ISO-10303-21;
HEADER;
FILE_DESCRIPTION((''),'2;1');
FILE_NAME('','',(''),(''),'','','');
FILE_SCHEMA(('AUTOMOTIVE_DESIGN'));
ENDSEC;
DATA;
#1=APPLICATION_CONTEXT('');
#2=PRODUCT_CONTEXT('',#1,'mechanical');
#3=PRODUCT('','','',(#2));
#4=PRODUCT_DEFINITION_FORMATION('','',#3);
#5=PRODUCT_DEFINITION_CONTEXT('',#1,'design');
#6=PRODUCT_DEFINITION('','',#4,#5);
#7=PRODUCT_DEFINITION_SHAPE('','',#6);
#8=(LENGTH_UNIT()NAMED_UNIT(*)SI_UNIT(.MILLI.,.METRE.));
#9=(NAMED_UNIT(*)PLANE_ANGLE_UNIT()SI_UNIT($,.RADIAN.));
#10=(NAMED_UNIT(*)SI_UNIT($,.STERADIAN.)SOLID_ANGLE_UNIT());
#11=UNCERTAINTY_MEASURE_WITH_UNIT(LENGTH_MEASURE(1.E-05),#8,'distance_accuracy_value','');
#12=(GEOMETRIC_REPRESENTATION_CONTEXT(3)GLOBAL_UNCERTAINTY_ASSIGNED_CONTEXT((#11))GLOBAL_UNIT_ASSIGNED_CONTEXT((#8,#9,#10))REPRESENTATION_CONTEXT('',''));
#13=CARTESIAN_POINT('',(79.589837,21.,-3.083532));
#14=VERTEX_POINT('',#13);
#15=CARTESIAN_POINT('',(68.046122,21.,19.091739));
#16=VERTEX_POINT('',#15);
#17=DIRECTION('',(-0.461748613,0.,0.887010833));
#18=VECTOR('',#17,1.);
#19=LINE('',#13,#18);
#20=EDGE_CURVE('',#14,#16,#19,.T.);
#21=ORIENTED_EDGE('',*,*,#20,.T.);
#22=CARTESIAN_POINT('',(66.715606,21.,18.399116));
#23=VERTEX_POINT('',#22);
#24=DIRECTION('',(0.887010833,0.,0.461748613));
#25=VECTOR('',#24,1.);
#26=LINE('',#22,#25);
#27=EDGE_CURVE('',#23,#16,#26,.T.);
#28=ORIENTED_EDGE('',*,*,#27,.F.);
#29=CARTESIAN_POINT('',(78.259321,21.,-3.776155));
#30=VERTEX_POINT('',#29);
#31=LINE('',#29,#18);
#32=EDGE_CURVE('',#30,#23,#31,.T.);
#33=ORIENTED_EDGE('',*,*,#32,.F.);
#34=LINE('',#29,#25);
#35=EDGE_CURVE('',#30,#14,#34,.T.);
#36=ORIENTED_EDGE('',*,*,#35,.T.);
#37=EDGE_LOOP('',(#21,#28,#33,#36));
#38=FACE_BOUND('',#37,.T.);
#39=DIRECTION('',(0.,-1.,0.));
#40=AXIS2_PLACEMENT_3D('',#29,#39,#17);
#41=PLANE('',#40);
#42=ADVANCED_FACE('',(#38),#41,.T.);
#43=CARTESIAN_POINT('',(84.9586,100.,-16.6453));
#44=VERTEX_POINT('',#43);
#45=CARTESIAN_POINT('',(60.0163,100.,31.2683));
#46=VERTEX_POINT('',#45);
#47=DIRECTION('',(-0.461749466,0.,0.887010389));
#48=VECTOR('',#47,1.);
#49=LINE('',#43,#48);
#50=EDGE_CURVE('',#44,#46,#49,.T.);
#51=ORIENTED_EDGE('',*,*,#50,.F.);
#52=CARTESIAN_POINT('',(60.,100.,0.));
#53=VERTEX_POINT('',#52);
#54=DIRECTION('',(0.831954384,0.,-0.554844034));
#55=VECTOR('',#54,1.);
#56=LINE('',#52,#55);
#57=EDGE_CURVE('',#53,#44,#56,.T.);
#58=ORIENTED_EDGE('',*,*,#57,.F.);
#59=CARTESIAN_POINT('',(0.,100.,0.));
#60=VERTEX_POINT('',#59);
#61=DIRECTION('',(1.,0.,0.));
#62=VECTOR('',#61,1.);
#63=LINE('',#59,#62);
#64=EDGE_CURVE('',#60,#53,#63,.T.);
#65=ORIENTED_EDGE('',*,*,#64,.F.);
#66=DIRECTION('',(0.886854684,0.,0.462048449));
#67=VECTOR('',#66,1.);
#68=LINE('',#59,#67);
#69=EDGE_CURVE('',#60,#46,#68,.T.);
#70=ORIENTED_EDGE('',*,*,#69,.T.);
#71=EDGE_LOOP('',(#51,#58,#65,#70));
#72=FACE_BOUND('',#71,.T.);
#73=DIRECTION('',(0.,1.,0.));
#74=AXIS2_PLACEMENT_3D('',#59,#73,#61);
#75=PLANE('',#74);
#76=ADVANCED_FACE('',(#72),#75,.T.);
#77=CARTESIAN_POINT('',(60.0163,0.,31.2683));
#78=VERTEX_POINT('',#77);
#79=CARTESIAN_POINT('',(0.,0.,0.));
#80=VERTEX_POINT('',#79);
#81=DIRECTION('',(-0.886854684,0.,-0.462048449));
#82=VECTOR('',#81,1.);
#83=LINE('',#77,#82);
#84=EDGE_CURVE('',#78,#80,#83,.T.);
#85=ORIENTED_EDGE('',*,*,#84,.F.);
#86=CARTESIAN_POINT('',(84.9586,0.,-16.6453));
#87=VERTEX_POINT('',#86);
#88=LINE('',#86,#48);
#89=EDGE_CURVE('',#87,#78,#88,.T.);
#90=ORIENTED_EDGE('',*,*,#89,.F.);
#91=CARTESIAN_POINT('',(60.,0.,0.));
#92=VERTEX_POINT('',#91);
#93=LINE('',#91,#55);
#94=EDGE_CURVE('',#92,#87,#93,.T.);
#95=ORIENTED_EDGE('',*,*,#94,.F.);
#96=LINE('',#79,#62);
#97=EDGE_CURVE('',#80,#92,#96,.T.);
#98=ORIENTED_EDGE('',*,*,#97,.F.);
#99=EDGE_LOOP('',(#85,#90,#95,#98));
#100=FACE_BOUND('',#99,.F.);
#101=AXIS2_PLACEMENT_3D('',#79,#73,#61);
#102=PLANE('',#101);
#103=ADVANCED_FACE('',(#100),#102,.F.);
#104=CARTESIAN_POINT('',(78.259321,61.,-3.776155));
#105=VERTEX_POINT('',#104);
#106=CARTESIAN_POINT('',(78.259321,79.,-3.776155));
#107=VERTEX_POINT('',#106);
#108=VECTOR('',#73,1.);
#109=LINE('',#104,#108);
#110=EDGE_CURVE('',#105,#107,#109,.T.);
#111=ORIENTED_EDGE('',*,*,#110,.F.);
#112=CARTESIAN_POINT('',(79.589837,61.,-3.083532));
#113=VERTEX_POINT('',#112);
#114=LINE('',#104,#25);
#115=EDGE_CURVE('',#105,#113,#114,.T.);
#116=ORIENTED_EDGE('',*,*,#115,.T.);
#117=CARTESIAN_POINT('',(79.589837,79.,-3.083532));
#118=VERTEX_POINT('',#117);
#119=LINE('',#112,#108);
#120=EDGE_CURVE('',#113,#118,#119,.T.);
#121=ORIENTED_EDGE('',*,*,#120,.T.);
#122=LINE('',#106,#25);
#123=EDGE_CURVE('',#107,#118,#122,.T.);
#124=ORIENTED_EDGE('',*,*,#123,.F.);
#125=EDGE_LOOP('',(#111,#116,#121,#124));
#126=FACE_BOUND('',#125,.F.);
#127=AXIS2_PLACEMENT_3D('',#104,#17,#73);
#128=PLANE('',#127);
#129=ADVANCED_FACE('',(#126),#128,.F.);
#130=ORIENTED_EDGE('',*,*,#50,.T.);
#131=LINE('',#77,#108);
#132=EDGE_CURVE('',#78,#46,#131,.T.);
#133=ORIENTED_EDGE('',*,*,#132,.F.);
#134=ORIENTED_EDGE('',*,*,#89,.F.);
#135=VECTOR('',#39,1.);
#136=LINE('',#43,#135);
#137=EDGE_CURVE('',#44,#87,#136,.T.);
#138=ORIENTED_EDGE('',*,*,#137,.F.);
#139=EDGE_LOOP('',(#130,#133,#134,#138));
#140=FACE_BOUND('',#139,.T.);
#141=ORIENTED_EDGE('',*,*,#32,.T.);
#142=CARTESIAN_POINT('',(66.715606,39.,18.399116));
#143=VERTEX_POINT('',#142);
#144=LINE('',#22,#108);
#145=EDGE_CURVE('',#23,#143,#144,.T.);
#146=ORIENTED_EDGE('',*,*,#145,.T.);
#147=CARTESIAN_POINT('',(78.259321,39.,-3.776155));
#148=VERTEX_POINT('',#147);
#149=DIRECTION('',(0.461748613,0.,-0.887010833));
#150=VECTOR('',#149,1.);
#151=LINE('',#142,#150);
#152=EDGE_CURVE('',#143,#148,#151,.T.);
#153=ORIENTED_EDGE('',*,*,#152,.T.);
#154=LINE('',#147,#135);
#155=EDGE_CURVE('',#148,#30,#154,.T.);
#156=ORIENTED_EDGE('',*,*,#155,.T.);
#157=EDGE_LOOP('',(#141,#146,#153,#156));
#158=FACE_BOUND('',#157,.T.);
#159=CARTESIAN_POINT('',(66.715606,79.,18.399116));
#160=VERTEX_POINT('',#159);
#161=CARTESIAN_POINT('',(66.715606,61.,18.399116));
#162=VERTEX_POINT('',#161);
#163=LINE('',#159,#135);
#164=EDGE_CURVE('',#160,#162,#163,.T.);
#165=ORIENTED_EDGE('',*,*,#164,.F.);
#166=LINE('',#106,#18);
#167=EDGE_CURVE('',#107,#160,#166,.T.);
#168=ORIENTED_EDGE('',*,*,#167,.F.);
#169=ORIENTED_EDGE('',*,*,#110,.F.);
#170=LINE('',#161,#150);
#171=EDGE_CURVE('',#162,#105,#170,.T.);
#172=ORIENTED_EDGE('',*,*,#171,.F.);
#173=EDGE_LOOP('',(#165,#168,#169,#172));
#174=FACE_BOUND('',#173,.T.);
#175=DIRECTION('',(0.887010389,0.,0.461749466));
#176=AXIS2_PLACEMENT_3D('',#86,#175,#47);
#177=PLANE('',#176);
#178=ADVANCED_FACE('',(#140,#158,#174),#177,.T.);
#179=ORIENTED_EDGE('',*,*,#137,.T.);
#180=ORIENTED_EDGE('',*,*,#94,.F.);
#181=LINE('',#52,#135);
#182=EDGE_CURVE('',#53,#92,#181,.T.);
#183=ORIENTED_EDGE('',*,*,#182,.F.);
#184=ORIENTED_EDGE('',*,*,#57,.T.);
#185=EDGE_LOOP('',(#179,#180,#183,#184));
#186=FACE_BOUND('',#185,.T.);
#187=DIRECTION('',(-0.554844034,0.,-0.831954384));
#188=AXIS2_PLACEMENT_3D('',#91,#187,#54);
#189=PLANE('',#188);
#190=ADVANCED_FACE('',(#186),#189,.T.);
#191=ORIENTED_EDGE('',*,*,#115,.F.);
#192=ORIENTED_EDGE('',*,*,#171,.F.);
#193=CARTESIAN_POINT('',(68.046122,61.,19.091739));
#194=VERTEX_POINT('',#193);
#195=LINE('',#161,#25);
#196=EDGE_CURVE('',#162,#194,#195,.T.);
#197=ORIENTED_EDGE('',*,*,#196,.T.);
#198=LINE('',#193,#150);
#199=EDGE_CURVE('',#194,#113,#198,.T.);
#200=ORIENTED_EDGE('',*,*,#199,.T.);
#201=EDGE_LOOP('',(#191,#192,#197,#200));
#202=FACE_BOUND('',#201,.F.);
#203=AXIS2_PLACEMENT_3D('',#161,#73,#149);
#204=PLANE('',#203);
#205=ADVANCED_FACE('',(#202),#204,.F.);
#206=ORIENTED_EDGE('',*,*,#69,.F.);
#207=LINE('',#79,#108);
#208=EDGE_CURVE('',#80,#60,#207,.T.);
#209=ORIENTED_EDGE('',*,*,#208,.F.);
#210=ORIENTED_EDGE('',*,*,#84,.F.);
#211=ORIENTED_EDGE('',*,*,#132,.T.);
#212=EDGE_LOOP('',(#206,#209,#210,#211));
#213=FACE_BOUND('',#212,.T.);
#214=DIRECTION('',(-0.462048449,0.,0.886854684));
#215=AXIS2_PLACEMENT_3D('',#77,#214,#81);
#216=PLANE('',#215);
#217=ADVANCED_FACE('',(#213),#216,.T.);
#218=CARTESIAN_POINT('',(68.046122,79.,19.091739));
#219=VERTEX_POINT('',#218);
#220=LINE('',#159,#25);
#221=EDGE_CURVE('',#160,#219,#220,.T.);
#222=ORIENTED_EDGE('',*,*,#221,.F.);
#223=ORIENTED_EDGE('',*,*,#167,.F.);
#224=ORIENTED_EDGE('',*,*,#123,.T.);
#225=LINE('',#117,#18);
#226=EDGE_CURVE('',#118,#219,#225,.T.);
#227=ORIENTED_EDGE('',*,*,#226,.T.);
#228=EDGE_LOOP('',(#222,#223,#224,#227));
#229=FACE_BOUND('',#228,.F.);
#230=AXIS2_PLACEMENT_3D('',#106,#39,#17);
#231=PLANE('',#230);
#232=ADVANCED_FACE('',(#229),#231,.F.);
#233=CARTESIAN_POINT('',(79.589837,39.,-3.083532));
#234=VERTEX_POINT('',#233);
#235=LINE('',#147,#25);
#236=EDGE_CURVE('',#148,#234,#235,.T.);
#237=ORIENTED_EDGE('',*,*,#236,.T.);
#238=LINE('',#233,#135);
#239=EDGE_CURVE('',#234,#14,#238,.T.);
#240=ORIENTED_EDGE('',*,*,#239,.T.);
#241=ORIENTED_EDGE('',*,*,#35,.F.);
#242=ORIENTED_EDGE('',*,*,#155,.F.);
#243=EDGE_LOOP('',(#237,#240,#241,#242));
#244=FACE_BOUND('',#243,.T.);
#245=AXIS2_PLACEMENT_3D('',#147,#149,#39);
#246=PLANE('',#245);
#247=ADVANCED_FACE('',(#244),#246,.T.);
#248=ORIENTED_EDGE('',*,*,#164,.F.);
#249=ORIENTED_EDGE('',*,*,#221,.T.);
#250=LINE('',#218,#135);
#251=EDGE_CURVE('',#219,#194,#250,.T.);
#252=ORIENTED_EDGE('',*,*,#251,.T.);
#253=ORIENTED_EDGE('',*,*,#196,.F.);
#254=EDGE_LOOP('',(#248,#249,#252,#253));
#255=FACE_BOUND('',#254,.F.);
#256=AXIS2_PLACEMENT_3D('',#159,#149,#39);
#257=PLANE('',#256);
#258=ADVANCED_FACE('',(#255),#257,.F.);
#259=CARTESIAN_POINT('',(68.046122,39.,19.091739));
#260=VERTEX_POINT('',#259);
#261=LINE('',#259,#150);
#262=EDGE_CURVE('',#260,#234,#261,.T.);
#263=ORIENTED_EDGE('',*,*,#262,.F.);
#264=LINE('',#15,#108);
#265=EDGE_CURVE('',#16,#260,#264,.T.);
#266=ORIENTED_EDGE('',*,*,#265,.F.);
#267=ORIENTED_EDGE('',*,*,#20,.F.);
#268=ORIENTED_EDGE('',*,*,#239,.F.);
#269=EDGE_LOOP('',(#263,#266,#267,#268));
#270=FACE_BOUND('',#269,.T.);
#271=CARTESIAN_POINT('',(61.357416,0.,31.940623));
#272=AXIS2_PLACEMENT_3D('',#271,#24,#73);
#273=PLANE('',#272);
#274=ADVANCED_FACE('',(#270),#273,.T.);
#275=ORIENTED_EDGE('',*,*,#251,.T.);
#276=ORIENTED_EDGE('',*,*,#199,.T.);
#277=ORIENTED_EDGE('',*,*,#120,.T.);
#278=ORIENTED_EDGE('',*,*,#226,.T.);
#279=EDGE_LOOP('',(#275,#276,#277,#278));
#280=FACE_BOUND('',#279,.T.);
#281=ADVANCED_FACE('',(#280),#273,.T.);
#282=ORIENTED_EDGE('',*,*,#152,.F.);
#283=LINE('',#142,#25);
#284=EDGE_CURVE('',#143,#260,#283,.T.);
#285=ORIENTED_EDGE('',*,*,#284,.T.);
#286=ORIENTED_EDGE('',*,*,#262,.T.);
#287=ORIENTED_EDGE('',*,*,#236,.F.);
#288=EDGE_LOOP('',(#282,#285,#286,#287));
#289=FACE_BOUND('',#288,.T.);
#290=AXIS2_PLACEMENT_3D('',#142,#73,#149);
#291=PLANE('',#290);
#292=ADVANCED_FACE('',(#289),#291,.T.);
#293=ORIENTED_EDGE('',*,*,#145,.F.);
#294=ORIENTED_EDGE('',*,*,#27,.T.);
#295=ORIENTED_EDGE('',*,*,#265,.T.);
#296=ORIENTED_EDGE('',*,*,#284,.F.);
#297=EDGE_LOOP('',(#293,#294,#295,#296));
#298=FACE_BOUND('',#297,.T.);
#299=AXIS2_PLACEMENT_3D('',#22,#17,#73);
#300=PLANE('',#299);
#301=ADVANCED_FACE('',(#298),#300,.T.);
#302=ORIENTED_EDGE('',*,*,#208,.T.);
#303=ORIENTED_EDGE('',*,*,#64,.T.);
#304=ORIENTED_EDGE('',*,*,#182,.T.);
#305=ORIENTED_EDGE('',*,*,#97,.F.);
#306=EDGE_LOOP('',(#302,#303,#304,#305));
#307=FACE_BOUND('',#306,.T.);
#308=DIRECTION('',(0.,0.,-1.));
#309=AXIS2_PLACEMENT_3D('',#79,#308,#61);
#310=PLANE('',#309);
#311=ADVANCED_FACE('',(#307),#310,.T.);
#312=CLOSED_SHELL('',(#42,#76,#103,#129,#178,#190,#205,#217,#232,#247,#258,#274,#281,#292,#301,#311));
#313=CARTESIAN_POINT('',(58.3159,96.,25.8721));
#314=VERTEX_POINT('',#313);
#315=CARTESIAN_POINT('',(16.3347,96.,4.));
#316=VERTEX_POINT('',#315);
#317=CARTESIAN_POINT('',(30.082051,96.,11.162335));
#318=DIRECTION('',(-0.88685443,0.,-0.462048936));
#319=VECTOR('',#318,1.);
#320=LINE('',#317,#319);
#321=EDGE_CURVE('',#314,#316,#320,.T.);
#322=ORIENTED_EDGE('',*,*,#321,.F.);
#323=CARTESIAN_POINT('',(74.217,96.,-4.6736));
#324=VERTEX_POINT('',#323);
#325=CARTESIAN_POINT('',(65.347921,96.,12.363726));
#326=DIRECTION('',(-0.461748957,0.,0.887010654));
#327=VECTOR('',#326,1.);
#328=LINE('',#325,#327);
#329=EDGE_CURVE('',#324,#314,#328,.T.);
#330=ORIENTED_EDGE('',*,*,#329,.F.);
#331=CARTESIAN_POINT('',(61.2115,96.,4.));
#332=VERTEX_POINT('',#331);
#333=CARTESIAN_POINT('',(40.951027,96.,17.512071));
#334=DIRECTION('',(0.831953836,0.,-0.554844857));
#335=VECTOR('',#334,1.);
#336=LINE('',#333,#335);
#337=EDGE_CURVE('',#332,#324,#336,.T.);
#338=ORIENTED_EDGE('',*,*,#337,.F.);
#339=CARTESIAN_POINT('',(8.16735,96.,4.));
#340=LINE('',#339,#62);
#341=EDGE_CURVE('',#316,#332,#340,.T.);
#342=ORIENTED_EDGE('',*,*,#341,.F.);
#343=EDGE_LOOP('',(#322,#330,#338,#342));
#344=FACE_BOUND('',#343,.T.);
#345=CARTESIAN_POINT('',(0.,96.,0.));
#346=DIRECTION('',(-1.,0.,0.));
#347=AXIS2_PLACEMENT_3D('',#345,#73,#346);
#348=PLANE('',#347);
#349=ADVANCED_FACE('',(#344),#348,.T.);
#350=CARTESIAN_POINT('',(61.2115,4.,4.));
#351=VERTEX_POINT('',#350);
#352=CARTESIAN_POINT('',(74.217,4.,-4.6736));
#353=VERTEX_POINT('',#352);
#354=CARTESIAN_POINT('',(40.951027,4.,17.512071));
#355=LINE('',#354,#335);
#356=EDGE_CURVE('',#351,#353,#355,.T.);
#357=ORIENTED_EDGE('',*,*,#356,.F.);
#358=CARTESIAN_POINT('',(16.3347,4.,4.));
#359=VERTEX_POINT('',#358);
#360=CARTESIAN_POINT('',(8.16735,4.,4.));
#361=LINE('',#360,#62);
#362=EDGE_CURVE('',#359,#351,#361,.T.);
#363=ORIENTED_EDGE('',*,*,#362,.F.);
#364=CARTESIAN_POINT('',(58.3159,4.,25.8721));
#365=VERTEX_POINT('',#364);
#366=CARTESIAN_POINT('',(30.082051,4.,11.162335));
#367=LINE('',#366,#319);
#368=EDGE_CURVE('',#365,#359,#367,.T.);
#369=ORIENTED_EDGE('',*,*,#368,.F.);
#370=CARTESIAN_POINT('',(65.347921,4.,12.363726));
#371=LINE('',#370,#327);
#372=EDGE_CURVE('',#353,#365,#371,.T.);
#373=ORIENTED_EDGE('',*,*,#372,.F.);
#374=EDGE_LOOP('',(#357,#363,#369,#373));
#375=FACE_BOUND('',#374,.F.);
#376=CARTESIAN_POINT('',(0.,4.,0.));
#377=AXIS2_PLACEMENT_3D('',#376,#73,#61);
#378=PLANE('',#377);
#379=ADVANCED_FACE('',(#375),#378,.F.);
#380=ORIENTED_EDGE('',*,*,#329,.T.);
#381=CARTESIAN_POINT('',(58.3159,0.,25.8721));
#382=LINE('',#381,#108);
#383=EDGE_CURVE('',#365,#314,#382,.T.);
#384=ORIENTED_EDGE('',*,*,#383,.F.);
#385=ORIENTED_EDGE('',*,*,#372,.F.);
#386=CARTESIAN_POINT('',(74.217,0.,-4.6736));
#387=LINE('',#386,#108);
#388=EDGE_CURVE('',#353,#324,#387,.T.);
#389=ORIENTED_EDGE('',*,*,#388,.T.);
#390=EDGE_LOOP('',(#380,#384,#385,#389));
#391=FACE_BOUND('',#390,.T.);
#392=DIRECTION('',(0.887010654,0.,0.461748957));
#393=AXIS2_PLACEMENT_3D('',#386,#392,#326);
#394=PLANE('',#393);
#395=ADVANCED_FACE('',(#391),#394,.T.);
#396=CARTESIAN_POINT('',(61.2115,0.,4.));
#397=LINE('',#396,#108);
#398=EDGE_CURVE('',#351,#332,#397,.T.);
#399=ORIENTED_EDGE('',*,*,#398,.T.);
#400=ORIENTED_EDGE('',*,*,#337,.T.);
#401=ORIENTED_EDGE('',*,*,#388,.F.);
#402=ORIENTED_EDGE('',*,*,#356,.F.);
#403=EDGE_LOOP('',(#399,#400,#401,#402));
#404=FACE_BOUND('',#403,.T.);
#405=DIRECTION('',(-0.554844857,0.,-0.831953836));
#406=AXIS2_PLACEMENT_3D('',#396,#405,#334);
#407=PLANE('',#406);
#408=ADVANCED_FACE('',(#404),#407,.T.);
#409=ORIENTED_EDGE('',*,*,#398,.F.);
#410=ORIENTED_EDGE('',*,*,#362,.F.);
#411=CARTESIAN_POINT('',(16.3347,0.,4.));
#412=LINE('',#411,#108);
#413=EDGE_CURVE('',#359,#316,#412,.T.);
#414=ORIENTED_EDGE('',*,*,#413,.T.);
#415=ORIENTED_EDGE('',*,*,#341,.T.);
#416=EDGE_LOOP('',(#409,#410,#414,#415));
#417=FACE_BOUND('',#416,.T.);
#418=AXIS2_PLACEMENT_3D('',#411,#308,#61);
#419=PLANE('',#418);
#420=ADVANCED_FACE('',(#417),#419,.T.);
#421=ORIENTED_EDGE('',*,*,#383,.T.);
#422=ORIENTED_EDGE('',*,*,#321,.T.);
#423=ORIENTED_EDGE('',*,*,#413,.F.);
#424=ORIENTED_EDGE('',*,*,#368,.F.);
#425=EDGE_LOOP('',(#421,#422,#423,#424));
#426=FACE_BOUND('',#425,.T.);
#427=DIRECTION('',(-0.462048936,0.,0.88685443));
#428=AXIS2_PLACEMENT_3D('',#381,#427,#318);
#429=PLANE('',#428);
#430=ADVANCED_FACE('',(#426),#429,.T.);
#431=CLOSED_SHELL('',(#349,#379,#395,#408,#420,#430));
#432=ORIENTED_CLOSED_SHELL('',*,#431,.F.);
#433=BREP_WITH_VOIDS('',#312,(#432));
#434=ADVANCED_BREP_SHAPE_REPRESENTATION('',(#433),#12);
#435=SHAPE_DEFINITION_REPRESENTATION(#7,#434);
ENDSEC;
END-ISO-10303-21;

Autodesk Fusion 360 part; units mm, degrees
sketch "Esquisse1" plane through (0, 0, 0) normal (0, 1, 0) x (1, 0, 0)
  line L0 (0, 0) -> (60, 0)
  line L1 (60, 0) -> (84.9586, 16.6453)
  line L2 (84.9586, 16.6453) -> (60.0163, -31.2683)
  line L3 (60.0163, -31.2683) -> (0, 0)
  line L4 (61.2115, -4) -> (74.217, 4.6736)
  line L5 (74.217, 4.6736) -> (58.3159, -25.8721)
  line L6 (58.3159, -25.8721) -> (16.3347, -4)
  line L7 (16.3347, -4) -> (61.2115, -4)
  dimension "d1" = 60
  dimension "d2" = 30
  dimension "d3" = 146.3
  dimension "d4" = 28.8
  dimension "d5" = 54.017
  dimension "d6" = 4
extrude "Extrusion1" add sketch "Esquisse1" along normal blind 100
sketch "Esquisse2" plane through (0, 0, 0) normal (0, 1, 0) x (1, 0, 0)
  line L0 (0, 0) -> (60, 0)
  line L1 (60, 0) -> (84.9586, 16.6453)
  line L2 (84.9586, 16.6453) -> (60, -31.2598)
  line L3 (60, -31.2598) -> (0, 0)
  dimension "d9" = 60
  dimension "d10" = 146.3
  dimension "d11" = 30
  dimension "d12" = 54.017
  dimension "d13" = 28.78
sketch "Esquisse3" plane through (0, 0, 0) normal (0, 1, 0) x (1, 0, 0)
extrude "Extrusion2" add sketch "Esquisse2" along normal blind 4
sketch "Esquisse5" plane through (0, 100, 0) normal (0, 1, 0) x (-1, 0, 0)
  line L0 (-58.3159, 25.8721) -> (-16.3347, 4)
  line L1 (-16.3347, 4) -> (-61.2115, 4)
  line L2 (-61.2115, 4) -> (-74.217, -4.6736)
  line L3 (-74.217, -4.6736) -> (-58.3159, 25.8721)
  line L4 (-60.0163, 31.2683) -> (-84.9586, -16.6453)
  line L5 (-84.9586, -16.6453) -> (-60, 0)
  line L6 (-60, 0) -> (0, 0)
  line L7 (0, 0) -> (-60.0163, 31.2683)
sketch "Esquisse6" plane through (0, 100, 0) normal (0, 1, 0) x (-1, 0, 0)
  line L0 (0, 0) -> (-60, 0)
  line L1 (-60, 0) -> (-84.9586, -16.6453)
  line L2 (-84.9586, -16.6453) -> (-60.0133, 31.2668)
  line L3 (-60.0133, 31.2668) -> (0, 0)
  dimension "d21" = 60
  dimension "d22" = 146.3
  dimension "d23" = 30
  dimension "d24" = 54.017
  dimension "d25" = 28.796
extrude "Extrusion3" add sketch "Esquisse6" against normal blind 4
sketch "Esquisse7" plane through (60.0269, 0, 31.248) normal (0.887, 0, 0.4617) x (0, 1, 0)
  line L0 (0, 0.0229) -> (0, -53.9941)
  line L1 (0, -53.9941) -> (100, -53.9941)
  line L2 (100, -53.9941) -> (100, 0.0229)
  line L3 (100, 0.0229) -> (0, 0.0229)
  line L4 (39, -39.4856) -> (21, -39.4856)
  line L5 (21, -39.4856) -> (21, -14.4856)
  line L6 (21, -14.4856) -> (39, -14.4856)
  line L7 (39, -14.4856) -> (39, -39.4856)
  line L8 (39, -39.4856) -> (21, -14.4856) construction
  line L9 (21, -39.4856) -> (39, -14.4856) construction
  line L10 (61, -39.4856) -> (79, -39.4856)
  line L11 (79, -39.4856) -> (79, -14.4856)
  line L12 (79, -14.4856) -> (61, -14.4856)
  line L13 (61, -14.4856) -> (61, -39.4856)
  line L14 (61, -39.4856) -> (79, -14.4856) construction
  line L15 (79, -39.4856) -> (61, -14.4856) construction
  point P0 (30, -26.9856)
  point P1 (70, -26.9856)
  dimension "d32" = 18
  dimension "d33" = 25
  dimension "d34" = 18
  dimension "d35" = 25
extrude "Extrusion4" add sketch "Esquisse7" along normal blind 1.5 contours L4 L5 L6 L7 | L10 L11 L12 L13
